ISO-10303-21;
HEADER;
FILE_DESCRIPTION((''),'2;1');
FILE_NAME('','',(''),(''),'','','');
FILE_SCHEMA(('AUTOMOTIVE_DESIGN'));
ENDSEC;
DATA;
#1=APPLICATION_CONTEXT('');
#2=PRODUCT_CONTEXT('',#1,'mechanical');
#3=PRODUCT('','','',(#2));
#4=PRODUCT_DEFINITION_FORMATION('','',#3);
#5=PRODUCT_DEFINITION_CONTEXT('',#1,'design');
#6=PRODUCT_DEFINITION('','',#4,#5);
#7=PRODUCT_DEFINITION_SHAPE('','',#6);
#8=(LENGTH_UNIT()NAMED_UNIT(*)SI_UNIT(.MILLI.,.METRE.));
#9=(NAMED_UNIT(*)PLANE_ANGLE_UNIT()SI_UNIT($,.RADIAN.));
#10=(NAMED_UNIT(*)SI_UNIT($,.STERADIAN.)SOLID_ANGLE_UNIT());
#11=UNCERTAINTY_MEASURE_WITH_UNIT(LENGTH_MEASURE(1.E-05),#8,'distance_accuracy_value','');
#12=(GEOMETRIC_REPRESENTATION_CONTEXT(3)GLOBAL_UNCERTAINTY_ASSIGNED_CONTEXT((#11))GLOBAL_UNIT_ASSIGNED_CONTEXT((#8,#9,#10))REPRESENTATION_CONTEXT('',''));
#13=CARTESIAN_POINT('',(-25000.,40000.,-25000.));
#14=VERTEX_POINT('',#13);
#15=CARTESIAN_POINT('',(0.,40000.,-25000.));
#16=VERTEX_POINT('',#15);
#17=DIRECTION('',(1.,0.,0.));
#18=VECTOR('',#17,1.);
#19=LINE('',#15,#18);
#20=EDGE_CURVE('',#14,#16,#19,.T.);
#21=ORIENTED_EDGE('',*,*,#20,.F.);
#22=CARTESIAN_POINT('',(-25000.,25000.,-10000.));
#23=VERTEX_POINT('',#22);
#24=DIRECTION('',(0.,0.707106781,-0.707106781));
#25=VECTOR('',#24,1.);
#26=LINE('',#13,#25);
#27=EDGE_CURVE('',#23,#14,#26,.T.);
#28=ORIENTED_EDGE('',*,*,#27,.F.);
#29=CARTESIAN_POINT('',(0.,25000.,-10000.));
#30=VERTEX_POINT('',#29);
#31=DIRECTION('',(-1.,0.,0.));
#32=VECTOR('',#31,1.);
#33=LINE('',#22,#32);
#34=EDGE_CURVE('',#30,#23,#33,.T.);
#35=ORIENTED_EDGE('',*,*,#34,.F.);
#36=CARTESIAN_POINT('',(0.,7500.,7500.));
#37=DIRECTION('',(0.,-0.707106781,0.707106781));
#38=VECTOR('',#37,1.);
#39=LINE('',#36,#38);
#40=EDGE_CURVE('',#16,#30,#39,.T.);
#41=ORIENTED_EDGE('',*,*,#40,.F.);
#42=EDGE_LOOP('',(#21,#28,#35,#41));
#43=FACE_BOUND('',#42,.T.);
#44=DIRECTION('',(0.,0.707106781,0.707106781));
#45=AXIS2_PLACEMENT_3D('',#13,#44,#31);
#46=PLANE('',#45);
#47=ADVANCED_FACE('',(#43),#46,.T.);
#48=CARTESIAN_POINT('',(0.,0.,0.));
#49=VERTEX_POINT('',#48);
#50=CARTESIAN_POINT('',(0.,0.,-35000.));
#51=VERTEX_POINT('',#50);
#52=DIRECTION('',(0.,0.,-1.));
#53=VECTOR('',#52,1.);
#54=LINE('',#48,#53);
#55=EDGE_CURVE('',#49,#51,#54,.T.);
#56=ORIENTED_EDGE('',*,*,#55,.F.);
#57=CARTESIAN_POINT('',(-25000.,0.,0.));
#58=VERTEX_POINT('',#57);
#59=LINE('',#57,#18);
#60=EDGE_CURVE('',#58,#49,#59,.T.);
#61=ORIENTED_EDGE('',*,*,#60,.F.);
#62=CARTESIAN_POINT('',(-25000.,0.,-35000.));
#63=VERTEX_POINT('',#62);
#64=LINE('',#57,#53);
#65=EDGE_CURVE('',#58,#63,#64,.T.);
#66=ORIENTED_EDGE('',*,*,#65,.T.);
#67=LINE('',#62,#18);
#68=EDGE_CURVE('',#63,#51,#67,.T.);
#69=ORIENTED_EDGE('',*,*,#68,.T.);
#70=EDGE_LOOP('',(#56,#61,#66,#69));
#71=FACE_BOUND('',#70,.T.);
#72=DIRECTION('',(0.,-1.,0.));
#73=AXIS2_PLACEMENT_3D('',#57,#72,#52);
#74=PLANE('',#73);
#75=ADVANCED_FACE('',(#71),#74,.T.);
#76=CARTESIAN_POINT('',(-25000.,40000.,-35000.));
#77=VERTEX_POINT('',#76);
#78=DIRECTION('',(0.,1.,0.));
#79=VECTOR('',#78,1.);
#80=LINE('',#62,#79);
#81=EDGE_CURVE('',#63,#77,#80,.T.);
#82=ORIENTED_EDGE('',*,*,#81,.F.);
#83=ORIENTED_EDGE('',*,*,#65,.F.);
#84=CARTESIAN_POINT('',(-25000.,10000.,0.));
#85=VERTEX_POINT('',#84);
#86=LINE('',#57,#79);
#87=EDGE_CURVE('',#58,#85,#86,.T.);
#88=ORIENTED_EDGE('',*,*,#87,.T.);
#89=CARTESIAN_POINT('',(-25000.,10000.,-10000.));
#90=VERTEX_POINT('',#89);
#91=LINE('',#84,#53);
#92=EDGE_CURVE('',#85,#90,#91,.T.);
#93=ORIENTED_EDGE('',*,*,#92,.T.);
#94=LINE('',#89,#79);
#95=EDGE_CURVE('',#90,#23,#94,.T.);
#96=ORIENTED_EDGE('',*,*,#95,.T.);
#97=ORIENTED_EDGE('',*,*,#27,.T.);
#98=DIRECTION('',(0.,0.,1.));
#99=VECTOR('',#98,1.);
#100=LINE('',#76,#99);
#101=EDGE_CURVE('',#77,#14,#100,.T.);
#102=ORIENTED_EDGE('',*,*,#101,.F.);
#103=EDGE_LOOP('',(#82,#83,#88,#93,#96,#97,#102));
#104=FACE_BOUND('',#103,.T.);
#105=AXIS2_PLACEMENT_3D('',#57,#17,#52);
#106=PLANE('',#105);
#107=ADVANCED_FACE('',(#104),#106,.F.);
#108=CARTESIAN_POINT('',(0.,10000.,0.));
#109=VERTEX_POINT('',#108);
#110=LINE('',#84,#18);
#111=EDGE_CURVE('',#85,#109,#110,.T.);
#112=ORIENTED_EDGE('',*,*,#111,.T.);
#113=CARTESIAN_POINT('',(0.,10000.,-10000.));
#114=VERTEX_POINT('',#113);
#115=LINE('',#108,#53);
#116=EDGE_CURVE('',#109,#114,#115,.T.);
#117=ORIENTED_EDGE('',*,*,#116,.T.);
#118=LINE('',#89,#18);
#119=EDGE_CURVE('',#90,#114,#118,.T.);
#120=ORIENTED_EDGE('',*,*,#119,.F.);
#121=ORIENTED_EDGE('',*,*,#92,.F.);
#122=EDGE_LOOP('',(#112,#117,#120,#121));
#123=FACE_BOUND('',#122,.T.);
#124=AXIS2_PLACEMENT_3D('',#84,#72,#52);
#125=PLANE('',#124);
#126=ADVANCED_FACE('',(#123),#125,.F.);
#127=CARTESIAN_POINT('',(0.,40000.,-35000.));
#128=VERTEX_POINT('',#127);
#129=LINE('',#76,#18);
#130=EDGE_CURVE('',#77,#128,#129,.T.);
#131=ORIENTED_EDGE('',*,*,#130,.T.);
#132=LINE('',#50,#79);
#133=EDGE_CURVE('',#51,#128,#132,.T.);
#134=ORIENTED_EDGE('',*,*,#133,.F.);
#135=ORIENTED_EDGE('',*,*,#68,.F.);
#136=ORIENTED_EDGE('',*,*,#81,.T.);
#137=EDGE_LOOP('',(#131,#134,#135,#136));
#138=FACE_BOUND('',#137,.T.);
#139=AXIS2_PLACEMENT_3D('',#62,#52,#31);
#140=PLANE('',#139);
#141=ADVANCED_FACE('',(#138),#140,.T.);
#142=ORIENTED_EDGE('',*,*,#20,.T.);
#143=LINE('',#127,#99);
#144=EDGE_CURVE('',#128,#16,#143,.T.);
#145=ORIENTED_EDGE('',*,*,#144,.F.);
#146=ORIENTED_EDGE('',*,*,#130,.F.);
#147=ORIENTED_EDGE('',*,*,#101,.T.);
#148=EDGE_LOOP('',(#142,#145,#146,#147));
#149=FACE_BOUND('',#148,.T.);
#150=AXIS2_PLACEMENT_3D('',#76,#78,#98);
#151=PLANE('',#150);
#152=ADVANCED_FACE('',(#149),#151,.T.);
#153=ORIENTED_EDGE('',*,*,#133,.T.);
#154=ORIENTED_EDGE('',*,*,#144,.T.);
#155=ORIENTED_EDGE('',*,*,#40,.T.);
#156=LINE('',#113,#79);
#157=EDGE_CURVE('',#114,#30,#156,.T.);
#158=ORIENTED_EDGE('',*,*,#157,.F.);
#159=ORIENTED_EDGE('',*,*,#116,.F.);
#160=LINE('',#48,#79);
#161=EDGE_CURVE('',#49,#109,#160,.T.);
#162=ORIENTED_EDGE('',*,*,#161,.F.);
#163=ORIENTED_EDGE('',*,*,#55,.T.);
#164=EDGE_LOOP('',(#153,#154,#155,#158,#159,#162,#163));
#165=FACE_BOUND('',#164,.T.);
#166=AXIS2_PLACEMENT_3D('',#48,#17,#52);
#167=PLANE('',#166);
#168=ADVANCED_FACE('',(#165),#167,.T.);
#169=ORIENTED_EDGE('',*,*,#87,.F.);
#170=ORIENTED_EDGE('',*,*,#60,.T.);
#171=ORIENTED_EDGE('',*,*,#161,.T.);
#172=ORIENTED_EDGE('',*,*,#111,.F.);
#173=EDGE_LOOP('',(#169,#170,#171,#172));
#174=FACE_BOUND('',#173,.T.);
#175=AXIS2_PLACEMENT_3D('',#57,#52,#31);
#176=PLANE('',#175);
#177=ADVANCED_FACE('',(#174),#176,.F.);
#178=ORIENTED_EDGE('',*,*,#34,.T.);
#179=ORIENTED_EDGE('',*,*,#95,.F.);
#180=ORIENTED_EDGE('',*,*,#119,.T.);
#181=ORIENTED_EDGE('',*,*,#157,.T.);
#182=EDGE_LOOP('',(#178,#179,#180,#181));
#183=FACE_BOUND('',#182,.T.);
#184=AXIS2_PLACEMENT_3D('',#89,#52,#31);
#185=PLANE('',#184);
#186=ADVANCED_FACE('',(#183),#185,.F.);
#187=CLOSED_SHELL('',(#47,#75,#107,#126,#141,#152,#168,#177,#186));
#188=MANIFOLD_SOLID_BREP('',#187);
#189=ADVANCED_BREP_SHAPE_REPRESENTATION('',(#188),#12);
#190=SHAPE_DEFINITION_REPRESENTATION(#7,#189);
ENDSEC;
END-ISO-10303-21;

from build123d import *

# Parameters (mm, degrees)
BOSS_EXTRUDE1_DEPTH = 25000
CHAMFER2_SIZE       = 15000


with BuildPart() as part:
    # Sketch2 → Boss-Extrude1 (new body)
    with BuildSketch(Plane(origin=(0, 0, 0), x_dir=(0, 0, -1), z_dir=(1, 0, 0))):
        Polygon((0, 0), (0, 10000), (10000, 10000), (10000, 40000), (35000, 40000), (35000, 0), align=None)
    extrude(amount=-BOSS_EXTRUDE1_DEPTH)

    # Chamfer2
    chamfer2_edges = [part.edges().sort_by_distance(p)[0] for p in [
        (-12500, 40000, -10000),
    ]]
    chamfer(chamfer2_edges, length=CHAMFER2_SIZE)


solid = part.part
